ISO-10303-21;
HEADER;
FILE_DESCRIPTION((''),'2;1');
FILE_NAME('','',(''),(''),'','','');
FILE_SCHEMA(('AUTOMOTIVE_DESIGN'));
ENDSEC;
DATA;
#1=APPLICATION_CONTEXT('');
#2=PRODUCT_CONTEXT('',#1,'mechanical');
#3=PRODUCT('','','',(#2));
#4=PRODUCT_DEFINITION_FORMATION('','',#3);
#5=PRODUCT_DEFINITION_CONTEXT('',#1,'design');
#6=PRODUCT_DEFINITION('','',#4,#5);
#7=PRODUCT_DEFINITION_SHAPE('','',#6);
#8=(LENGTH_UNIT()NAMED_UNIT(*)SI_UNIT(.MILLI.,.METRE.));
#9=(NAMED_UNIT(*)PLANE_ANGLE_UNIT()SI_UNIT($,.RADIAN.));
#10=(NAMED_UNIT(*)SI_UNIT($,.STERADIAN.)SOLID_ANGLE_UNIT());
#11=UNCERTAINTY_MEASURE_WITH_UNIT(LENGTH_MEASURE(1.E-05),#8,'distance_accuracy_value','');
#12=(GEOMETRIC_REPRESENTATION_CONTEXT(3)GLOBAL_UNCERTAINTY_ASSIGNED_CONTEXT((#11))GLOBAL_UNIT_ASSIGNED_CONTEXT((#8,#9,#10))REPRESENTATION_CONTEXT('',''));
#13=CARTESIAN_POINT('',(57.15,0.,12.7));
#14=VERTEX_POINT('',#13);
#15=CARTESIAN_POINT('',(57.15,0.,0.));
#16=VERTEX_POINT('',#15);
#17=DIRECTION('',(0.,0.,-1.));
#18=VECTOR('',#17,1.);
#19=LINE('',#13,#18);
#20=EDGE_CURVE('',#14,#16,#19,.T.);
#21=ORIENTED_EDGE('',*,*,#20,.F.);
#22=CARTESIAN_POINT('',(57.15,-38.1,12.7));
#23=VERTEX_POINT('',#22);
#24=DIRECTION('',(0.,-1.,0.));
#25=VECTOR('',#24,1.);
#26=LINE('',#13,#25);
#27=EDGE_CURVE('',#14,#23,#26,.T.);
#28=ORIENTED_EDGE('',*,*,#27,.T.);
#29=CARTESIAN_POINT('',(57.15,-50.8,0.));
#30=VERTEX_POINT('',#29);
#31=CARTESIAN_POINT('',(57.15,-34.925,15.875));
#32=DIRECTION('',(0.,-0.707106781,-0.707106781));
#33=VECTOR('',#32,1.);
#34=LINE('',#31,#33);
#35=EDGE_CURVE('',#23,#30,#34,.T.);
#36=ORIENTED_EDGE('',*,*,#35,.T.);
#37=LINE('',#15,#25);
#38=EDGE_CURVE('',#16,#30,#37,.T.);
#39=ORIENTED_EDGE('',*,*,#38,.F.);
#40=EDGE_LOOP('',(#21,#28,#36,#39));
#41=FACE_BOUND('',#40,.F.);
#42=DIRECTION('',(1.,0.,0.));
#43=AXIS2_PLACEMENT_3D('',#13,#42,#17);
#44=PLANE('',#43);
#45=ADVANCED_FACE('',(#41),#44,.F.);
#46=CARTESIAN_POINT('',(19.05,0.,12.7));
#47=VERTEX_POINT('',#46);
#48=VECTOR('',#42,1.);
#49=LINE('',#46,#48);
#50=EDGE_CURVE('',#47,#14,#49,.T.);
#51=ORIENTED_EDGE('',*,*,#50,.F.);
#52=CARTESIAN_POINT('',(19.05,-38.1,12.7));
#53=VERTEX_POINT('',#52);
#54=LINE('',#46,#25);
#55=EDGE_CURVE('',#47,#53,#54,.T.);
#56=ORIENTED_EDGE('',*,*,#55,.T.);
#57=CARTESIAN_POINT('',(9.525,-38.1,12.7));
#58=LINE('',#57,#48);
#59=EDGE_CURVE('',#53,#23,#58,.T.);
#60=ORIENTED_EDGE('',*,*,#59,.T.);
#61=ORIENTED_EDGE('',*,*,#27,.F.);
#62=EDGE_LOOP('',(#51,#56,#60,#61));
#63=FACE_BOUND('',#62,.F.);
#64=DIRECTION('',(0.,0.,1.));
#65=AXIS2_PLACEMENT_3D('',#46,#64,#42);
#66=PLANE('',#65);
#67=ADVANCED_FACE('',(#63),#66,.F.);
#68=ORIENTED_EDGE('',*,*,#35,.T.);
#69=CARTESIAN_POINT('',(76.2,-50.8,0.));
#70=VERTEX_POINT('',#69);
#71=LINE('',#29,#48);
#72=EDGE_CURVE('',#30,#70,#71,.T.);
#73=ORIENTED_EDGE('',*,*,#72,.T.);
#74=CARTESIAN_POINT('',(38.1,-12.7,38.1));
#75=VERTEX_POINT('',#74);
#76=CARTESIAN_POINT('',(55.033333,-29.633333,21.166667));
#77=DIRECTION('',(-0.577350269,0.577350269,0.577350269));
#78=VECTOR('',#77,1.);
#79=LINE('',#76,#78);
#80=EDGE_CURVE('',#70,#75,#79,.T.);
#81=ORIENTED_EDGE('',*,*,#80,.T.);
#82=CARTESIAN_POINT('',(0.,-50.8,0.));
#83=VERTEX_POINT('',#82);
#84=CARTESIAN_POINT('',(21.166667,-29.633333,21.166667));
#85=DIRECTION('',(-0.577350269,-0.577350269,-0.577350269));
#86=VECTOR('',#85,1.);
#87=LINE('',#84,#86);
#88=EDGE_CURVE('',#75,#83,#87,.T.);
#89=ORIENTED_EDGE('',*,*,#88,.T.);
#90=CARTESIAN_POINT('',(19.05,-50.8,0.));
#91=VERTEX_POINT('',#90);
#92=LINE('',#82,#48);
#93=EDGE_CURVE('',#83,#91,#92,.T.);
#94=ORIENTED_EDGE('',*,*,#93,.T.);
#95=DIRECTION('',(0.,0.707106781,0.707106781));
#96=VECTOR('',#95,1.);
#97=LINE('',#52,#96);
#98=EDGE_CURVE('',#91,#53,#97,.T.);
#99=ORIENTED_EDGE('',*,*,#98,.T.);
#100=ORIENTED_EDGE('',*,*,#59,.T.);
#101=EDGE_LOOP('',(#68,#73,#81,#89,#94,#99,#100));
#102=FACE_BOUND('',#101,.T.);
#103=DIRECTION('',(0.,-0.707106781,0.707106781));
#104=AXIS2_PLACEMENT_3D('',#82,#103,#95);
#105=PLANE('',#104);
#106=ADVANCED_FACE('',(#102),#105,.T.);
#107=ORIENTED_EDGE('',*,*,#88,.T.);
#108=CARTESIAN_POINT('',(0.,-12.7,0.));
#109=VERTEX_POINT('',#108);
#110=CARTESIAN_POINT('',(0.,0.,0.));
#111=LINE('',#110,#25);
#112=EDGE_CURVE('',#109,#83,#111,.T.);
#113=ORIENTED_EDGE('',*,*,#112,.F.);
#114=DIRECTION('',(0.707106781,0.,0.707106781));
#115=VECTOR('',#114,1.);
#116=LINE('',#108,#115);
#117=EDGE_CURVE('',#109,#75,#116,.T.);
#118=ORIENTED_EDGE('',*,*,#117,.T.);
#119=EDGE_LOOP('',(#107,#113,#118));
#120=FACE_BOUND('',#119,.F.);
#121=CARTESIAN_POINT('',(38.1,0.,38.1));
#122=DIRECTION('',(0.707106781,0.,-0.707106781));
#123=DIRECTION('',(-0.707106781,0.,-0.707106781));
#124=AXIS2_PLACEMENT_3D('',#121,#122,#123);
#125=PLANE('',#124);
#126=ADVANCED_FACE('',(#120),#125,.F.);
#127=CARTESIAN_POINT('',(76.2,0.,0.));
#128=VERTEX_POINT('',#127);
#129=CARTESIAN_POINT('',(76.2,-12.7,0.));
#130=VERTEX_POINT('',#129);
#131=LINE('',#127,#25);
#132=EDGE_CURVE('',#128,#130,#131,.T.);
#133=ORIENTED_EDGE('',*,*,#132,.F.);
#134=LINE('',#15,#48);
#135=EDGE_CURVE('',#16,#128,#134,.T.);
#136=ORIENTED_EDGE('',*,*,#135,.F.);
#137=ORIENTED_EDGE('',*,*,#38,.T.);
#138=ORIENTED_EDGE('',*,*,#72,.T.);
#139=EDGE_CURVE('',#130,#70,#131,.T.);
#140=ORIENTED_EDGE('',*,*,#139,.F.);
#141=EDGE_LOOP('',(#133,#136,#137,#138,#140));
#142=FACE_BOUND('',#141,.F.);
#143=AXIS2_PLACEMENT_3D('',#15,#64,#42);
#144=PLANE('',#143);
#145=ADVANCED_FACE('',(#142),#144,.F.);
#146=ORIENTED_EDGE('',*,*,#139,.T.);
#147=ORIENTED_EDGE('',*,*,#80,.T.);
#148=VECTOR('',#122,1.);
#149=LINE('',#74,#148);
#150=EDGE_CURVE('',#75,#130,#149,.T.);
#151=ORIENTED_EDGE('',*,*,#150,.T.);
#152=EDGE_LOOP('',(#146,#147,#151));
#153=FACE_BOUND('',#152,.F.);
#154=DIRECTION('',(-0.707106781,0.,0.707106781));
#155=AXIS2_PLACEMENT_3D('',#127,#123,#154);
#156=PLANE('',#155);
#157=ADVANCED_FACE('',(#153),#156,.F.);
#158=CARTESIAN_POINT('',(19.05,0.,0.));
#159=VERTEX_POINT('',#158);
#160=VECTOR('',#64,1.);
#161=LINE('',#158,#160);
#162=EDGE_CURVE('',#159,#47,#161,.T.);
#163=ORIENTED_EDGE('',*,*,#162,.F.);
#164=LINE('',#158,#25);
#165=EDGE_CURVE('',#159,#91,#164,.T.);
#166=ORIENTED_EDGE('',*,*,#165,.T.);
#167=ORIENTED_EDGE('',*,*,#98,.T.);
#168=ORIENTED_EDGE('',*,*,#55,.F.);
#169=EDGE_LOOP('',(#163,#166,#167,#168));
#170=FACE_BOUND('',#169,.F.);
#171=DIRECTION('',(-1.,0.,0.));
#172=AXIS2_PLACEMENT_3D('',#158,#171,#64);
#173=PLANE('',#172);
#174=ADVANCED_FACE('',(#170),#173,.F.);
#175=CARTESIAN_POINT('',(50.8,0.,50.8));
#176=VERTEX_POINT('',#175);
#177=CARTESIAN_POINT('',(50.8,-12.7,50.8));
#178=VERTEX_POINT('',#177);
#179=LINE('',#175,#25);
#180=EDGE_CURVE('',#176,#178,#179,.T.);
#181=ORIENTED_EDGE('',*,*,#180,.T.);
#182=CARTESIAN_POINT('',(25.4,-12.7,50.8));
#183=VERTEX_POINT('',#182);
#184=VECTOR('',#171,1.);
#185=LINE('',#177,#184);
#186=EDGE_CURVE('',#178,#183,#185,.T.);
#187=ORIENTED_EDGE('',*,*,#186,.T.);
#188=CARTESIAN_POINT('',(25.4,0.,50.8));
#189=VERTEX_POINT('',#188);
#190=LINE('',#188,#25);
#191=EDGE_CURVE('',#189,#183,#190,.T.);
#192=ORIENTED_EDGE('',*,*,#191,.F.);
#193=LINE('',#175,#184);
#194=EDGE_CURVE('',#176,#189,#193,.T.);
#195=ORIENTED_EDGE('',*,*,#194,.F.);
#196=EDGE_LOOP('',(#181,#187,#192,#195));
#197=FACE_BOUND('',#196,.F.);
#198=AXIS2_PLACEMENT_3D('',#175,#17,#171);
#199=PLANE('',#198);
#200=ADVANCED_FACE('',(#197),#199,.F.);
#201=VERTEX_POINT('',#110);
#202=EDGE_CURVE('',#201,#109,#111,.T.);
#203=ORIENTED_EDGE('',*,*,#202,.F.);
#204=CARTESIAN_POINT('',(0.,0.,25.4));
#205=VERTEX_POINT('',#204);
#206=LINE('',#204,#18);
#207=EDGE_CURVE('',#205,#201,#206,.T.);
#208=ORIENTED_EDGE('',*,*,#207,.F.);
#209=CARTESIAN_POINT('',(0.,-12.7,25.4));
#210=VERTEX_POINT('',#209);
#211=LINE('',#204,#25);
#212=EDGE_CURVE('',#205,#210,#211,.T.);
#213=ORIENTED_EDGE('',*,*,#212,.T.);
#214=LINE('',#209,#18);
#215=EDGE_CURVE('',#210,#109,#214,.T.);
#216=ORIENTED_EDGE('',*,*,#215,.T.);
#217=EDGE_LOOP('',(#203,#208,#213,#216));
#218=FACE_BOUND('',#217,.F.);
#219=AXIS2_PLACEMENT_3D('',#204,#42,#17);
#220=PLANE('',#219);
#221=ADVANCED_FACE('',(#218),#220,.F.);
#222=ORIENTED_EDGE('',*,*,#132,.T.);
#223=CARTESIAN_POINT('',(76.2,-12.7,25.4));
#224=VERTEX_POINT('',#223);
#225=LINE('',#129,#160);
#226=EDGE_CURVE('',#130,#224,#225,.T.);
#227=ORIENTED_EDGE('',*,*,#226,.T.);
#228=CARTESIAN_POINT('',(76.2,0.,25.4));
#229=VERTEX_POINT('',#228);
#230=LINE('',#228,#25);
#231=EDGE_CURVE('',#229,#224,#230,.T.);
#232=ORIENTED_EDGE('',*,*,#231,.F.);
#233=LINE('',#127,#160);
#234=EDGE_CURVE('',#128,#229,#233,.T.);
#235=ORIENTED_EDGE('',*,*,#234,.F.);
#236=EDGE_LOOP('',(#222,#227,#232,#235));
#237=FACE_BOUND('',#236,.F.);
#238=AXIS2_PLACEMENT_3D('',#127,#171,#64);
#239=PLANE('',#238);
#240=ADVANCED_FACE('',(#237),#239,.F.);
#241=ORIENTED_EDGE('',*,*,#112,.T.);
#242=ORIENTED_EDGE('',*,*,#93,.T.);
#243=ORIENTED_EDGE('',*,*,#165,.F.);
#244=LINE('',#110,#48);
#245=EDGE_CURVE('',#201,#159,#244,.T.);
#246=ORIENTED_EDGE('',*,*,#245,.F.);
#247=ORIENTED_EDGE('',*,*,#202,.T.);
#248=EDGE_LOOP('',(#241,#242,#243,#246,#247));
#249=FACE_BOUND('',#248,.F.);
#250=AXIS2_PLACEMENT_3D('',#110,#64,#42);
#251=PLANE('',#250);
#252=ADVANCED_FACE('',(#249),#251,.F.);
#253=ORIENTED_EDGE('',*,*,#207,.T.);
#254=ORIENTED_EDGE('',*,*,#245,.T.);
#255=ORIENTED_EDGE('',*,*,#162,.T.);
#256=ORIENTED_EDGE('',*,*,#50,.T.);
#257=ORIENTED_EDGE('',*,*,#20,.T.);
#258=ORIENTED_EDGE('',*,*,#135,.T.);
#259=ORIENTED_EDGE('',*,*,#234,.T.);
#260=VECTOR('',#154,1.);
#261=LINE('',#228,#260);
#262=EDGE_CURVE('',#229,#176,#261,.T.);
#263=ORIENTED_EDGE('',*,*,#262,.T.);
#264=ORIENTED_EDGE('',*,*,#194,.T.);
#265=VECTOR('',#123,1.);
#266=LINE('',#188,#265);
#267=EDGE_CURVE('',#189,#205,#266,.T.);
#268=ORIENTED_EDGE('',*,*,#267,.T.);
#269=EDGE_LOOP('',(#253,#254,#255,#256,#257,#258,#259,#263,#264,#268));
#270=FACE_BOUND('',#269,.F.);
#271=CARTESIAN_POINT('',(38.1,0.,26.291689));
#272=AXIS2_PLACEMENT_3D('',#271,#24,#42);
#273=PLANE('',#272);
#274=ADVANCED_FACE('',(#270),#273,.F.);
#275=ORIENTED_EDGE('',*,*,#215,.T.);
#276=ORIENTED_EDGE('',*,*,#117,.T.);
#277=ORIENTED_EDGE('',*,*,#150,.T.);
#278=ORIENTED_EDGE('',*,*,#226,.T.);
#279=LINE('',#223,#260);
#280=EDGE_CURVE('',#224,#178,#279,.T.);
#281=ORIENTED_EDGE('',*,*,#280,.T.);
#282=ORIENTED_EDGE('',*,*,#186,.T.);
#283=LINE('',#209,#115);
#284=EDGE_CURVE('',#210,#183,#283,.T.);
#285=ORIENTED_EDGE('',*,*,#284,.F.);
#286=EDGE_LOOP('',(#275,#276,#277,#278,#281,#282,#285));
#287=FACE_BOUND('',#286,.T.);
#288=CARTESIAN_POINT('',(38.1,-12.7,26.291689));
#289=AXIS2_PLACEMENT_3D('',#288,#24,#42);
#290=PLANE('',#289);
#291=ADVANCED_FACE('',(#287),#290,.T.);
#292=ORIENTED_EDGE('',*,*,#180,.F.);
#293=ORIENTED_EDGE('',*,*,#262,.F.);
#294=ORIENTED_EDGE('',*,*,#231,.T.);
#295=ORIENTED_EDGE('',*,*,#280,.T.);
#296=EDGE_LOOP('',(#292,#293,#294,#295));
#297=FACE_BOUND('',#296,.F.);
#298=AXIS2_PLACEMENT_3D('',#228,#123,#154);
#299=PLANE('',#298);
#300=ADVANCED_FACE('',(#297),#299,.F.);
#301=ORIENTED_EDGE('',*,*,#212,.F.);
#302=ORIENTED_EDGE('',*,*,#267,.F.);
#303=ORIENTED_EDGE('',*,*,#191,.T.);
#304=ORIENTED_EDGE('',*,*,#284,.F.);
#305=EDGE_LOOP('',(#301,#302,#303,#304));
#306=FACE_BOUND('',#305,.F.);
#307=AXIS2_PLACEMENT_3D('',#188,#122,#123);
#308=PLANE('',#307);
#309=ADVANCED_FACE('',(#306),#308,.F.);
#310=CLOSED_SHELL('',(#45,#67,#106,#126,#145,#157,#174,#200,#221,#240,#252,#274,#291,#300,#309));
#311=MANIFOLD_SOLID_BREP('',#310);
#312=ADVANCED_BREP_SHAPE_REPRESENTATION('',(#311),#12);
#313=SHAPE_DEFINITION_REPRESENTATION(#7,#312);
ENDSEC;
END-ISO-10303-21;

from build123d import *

# Parameters (mm, degrees)
F1_DEPTH = 50.8
F2_DEPTH = 12.7
F4_DEPTH = 76.201


with BuildPart() as f1:
    # F0 (on Front) → F1 (new body)
    with BuildSketch(Plane.XZ):
        Polygon((38.1, 38.1), (0, 0), (19.05, 0), (19.05, 12.7), (57.15, 12.7), (57.15, 0), (76.2, 0), align=None)
    extrude(amount=F1_DEPTH)

    # F0 (on Front) → F2 (join)
    with BuildSketch(Plane.XZ):
        Polygon((0, 25.4), (0, 0), (38.1, 38.1), (76.2, 0), (76.2, 25.4), (50.8, 50.8), (25.4, 50.8), align=None)
    extrude(amount=F2_DEPTH)

    # F3 (on Right) → F4 (cut, through all)
    with BuildSketch(Plane.YZ):
        Polygon((-50.8, 38.1), (-50.8, 0), (-12.7, 38.1), align=None)
    extrude(amount=F4_DEPTH, mode=Mode.SUBTRACT)


solid = f1.part
